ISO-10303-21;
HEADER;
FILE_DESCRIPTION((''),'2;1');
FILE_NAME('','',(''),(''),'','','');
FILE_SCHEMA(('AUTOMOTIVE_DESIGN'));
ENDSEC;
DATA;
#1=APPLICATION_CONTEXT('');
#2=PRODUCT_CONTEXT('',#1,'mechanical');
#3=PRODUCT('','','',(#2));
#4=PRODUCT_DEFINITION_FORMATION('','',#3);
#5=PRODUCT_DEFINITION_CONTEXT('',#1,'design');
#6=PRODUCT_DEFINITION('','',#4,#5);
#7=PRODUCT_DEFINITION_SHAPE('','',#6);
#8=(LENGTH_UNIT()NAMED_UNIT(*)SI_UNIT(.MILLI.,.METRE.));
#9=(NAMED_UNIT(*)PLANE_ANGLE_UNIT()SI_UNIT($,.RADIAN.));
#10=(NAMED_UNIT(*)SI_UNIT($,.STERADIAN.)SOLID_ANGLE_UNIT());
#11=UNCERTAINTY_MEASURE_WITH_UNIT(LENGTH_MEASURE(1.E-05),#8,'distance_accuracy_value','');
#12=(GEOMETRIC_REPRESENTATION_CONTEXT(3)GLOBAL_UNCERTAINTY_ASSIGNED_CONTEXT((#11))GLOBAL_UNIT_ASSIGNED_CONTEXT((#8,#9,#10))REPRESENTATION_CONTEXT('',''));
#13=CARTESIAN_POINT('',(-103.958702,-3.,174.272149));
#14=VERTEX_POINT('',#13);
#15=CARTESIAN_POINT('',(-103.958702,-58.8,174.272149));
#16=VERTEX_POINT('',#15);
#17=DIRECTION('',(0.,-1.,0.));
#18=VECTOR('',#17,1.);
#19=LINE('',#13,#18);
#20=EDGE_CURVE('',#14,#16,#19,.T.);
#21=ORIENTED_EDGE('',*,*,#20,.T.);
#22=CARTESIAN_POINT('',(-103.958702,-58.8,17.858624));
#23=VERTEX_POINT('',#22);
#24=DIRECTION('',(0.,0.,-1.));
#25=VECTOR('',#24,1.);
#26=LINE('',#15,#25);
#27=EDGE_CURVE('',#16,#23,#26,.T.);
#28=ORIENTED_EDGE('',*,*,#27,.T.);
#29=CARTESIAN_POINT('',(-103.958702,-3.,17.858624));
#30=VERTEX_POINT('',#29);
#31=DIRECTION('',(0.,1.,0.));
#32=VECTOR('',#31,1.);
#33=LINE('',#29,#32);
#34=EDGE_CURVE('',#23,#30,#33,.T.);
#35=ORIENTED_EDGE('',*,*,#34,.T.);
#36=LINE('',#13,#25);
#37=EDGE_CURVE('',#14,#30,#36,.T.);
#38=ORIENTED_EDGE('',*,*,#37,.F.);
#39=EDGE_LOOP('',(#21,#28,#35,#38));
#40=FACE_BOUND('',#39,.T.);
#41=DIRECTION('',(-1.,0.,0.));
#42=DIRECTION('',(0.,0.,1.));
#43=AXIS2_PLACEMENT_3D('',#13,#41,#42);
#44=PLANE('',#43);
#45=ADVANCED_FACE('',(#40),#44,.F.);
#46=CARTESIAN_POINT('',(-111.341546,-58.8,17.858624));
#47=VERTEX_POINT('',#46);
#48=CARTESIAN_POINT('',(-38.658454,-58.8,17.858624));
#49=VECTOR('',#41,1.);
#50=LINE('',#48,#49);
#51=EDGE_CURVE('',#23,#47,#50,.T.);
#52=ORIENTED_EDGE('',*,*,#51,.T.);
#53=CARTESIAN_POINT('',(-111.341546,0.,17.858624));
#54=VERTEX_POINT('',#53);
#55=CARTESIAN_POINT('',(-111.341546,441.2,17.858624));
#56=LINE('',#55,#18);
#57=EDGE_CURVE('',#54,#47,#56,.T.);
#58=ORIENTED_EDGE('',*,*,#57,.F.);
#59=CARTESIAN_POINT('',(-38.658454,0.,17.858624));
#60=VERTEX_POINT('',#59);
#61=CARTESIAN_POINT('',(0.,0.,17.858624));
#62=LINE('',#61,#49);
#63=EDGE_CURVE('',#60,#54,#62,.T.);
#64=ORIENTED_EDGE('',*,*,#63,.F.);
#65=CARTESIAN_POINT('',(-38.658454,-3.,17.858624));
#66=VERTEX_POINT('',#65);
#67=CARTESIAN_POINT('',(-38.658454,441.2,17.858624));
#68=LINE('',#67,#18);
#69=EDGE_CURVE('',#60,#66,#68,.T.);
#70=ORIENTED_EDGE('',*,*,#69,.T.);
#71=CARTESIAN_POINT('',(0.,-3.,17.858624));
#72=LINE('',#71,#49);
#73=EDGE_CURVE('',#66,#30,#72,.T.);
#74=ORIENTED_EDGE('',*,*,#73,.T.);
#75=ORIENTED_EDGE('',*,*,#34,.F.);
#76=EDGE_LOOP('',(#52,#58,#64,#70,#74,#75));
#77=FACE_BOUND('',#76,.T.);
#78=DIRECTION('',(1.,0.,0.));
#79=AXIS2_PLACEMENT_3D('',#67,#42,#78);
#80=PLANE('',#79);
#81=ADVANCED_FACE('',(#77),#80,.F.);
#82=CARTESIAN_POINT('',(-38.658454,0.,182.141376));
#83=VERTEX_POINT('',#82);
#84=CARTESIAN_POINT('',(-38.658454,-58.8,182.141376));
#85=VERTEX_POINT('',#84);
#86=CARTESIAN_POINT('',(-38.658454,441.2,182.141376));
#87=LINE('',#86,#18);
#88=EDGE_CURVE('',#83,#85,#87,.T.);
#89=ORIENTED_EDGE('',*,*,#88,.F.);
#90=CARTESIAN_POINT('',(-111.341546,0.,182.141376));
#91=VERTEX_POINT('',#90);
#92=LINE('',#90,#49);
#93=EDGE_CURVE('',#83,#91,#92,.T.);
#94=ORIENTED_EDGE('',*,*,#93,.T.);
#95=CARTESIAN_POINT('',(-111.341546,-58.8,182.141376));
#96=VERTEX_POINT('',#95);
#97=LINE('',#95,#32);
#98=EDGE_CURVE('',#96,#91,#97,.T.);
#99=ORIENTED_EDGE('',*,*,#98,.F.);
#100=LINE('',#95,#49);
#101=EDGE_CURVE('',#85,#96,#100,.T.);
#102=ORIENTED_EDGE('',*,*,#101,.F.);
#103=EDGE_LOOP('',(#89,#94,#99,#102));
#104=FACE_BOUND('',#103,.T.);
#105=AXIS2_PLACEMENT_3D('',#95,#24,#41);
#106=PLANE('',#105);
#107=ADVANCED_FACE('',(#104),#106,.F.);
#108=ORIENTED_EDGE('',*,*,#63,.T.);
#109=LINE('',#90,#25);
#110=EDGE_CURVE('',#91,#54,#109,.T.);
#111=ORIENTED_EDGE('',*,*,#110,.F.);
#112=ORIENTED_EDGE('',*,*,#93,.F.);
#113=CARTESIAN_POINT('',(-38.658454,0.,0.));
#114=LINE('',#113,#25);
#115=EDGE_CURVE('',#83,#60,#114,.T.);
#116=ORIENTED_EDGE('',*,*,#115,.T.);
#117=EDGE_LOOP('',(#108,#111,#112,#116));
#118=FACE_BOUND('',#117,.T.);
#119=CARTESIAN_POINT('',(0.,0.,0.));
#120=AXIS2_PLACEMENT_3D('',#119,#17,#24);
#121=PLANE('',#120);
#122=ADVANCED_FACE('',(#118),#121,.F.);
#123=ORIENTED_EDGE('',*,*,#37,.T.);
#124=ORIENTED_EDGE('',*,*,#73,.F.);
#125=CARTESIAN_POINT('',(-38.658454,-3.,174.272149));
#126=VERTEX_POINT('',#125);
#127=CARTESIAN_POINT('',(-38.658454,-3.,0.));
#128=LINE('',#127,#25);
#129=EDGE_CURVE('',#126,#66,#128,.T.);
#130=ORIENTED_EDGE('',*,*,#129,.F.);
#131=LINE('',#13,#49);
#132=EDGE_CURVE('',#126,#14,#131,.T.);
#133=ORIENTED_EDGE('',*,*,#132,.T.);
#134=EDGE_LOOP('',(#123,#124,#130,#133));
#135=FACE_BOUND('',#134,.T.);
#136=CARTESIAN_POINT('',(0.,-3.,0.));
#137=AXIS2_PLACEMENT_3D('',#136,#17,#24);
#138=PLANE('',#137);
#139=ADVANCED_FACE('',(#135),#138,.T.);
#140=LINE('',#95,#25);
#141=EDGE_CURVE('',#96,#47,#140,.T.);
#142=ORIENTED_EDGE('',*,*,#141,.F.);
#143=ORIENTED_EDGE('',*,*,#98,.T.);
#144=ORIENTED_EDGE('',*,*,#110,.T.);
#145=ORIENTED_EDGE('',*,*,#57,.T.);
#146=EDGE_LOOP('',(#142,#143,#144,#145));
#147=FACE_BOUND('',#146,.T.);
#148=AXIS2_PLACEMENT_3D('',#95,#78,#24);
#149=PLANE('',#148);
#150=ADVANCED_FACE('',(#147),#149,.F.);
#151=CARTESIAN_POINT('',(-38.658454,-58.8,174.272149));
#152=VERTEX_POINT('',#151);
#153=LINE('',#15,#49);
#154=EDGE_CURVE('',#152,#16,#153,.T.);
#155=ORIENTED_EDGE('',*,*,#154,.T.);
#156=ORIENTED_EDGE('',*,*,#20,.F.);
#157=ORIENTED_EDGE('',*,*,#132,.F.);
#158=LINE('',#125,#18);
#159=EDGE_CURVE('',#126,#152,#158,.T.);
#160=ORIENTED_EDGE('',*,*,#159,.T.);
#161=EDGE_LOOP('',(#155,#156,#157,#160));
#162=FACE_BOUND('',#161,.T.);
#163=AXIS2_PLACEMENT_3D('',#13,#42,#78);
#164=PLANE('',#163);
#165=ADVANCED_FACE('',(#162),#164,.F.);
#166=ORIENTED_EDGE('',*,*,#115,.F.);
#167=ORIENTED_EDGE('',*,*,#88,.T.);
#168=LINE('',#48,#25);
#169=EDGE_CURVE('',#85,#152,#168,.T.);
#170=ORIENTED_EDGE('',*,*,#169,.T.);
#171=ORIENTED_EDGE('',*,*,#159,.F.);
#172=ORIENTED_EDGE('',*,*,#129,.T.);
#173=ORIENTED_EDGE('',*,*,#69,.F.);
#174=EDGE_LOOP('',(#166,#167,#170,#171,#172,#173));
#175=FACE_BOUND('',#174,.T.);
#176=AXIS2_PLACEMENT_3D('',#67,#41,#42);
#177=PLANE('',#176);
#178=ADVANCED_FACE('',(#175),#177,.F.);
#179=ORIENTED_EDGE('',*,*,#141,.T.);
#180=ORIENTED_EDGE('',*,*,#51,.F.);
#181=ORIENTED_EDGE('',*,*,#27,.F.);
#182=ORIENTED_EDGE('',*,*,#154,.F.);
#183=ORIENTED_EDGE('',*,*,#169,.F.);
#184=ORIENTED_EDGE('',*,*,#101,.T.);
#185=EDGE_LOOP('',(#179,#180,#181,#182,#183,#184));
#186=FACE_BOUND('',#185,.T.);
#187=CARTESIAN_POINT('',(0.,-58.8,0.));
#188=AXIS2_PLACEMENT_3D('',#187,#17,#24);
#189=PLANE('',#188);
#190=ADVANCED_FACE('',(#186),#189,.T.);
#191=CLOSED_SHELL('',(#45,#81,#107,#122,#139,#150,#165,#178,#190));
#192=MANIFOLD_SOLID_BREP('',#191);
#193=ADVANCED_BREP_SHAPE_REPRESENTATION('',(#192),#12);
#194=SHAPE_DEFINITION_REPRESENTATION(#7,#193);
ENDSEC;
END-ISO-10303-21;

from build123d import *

# Parameters (mm, degrees)
SKETCH1_R           = 28.1
BOSS_EXTRUDE1_DEPTH = 1
SKETCH2_R           = 18.6
CUT_EXTRUDE1_DEPTH  = 58.8
SKETCH3_W           = 222.683092022
SKETCH3_H           = 364.2827524
BOSS_EXTRUDE2_DEPTH = 58.8
SKETCH4_W           = 207.917403516
SKETCH4_H           = 348.54429772
CUT_EXTRUDE2_DEPTH  = 55.8
SKETCH9_R           = 3
CUT_EXTRUDE8_DEPTH  = 10
SKETCH10_R          = 3.75
CUT_EXTRUDE9_DEPTH  = 10
CUT_EXTRUDE13_DEPTH = 500
SKETCH6_R           = 3.75
CUT_EXTRUDE5_DEPTH  = 400
SKETCH8_R           = 10
CUT_EXTRUDE7_DEPTH  = 10


with BuildPart() as part:
    # Sketch1 → Boss-Extrude1 (new body)
    with BuildSketch(Plane(origin=(0, 0, 0), x_dir=(1, 0, 0), z_dir=(0, 1, 0))):
        Circle(SKETCH1_R)
    extrude(amount=BOSS_EXTRUDE1_DEPTH)

    # Sketch2 → Cut-Extrude1 (cut)
    with BuildSketch(Plane(origin=(0, 1, 0), x_dir=(1, 0, 0), z_dir=(0, 1, 0))):
        with Locations((0, -7)):
            Circle(SKETCH2_R)
    extrude(amount=-CUT_EXTRUDE1_DEPTH, mode=Mode.SUBTRACT)

    # Sketch3 → Boss-Extrude2 (add)
    with BuildSketch(Plane(origin=(0, 0, 0), x_dir=(-1, 0, 0), z_dir=(0, -1, 0))):
        Rectangle(SKETCH3_W, SKETCH3_H)
    extrude(amount=BOSS_EXTRUDE2_DEPTH)

    # Sketch4 → Cut-Extrude2 (cut)
    with BuildSketch(Plane(origin=(0, -58.8, 0), x_dir=(-1, 0, 0), z_dir=(0, -1, 0))):
        Rectangle(SKETCH4_W, SKETCH4_H)
    extrude(amount=-CUT_EXTRUDE2_DEPTH, mode=Mode.SUBTRACT)

    # Sketch9 → Cut-Extrude8 (cut)
    with BuildSketch(Plane(origin=(0, 0, 0), x_dir=(1, 0, 0), z_dir=(0, 1, 0))):
        with Locations((0, -7)):
            Circle(SKETCH9_R)
    extrude(amount=-CUT_EXTRUDE8_DEPTH, mode=Mode.SUBTRACT)

    # Sketch10 → Cut-Extrude9 (cut)
    with BuildSketch(Plane(origin=(0, 1, 0), x_dir=(1, 0, 0), z_dir=(0, 1, 0))):
        with Locations((0, 19.85)):
            Circle(SKETCH10_R)
    extrude(amount=-CUT_EXTRUDE9_DEPTH, mode=Mode.SUBTRACT)

    # Sketch11 → Cut-Extrude13 (cut)
    with BuildSketch(Plane(origin=(0, -58.8, 0), x_dir=(-1, 0, 0), z_dir=(0, -1, 0))):
        Polygon((38.658453989, -17.8586238), (38.658453989, -182.1413762), (-111.341546011, -182.1413762), (-111.341546011, 182.1413762), (111.341546011, 182.1413762), (111.341546011, -17.8586238), align=None)
    extrude(amount=-CUT_EXTRUDE13_DEPTH, mode=Mode.SUBTRACT)

    # Sketch6 → Cut-Extrude5 (cut)
    with BuildSketch(Plane(origin=(0, 1, 0), x_dir=(1, 0, 0), z_dir=(0, 1, 0))):
        with Locations((0, 18.75)):
            Circle(SKETCH6_R)
    extrude(amount=-CUT_EXTRUDE5_DEPTH, mode=Mode.SUBTRACT)

    # Sketch8 → Cut-Extrude7 (cut)
    with BuildSketch(Plane(origin=(0, 0, -182.1413762), x_dir=(-1, 0, 0), z_dir=(0, 0, -1))):
        with Locations((-86.573671766, -25.011155335)):
            Circle(SKETCH8_R)
    extrude(amount=-CUT_EXTRUDE7_DEPTH, mode=Mode.SUBTRACT)


solid = part.part
